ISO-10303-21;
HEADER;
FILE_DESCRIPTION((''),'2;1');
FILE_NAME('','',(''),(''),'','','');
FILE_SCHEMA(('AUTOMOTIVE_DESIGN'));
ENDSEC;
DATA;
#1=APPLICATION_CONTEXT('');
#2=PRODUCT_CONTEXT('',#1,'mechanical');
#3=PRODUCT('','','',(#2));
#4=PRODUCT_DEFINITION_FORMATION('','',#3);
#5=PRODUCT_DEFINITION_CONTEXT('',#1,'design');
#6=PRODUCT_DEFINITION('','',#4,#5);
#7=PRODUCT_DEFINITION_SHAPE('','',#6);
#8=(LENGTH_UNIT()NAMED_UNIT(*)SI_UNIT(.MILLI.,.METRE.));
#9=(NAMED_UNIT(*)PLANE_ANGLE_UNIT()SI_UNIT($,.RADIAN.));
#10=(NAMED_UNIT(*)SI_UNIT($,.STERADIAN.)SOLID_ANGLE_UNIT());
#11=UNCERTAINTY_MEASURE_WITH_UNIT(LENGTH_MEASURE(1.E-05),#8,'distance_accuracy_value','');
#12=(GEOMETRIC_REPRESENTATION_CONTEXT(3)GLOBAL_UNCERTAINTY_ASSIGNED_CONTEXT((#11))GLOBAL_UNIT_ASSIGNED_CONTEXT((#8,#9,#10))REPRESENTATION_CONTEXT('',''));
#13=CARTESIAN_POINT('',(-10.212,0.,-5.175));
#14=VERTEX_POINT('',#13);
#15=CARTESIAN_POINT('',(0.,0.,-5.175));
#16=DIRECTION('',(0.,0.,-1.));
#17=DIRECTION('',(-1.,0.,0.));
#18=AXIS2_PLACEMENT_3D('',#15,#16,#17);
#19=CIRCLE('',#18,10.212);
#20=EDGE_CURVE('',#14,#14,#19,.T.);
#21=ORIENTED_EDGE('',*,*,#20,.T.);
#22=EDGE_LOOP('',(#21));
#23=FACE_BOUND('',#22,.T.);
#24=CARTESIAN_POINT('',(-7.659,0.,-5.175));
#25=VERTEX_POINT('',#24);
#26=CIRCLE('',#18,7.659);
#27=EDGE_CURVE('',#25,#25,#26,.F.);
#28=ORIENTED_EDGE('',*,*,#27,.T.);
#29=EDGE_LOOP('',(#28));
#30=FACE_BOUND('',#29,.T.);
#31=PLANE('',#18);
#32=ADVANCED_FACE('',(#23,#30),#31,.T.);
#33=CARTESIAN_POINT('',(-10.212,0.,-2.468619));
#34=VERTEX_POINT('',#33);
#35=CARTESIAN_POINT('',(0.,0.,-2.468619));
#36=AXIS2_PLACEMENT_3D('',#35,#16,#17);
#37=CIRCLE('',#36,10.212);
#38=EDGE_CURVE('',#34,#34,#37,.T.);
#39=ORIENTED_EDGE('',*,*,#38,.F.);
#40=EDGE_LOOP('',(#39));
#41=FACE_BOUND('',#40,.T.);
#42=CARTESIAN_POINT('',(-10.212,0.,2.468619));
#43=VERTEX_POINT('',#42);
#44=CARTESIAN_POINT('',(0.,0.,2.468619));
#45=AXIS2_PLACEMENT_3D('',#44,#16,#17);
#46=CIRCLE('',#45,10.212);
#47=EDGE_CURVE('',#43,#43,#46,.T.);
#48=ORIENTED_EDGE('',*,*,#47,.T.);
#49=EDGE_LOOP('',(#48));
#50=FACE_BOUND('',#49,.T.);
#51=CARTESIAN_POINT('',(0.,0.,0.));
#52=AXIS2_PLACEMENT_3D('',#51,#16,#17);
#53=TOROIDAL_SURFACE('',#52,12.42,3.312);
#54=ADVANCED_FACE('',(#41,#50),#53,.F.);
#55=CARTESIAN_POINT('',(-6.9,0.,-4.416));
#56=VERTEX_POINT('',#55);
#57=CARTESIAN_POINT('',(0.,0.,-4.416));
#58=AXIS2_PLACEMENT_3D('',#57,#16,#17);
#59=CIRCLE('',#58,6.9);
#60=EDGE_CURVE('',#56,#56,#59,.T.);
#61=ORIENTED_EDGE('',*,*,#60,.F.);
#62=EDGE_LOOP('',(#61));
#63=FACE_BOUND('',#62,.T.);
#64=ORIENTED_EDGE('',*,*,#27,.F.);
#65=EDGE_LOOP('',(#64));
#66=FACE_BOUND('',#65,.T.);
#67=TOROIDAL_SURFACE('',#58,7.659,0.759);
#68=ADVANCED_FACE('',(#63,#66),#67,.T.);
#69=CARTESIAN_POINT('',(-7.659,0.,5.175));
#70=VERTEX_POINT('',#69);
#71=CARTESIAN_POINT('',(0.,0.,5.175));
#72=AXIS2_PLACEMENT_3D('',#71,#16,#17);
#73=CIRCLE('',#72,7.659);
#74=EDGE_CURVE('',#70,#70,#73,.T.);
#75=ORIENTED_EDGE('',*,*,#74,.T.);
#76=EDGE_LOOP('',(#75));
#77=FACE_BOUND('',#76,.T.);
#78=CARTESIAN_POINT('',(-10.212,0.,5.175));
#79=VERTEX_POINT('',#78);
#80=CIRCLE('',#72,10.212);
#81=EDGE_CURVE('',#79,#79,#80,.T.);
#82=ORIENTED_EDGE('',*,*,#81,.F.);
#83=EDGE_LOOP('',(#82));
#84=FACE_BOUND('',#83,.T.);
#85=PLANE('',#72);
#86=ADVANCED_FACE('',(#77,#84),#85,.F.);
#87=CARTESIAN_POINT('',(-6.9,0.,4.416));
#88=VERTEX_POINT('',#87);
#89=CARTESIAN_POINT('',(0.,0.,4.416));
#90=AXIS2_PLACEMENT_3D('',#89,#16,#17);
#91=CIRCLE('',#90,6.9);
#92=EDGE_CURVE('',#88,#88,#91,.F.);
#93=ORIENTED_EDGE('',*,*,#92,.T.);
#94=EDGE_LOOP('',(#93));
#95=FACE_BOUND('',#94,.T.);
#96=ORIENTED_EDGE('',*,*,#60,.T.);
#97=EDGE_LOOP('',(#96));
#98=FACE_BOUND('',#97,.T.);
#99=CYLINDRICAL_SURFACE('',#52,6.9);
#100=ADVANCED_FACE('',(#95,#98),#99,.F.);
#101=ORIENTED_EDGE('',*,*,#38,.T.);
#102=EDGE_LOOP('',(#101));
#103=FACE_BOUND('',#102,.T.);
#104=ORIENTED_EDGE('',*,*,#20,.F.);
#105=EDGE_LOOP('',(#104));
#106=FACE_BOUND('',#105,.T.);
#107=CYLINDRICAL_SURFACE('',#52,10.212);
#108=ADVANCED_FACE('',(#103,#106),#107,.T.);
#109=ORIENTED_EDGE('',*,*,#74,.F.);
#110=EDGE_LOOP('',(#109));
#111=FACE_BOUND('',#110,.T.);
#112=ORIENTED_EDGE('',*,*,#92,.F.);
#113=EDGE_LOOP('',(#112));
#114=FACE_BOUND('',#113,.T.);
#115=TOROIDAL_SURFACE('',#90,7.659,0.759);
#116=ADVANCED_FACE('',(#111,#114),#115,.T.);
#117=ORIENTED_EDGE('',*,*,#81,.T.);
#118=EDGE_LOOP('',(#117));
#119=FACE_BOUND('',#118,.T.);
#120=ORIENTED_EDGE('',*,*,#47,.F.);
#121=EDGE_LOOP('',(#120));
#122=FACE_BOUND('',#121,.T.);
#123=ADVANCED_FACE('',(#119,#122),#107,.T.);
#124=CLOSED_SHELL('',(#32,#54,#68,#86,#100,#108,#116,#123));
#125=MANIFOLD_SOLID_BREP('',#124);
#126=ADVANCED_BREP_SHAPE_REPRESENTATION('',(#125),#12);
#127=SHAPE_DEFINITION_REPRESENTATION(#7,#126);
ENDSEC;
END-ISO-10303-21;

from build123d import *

# Parameters (mm, degrees)
CONG_1_R       = 1.1
ECHELLE1_SCALE = 0.69


with BuildPart() as part:
    # Esquisse2 → Révolution1 (revolve)
    with BuildSketch(Plane(origin=(0, 0, 0), x_dir=(0, 0, -1), z_dir=(1, 0, 0)), mode=Mode.PRIVATE) as r_volution1_sk:
        with BuildLine():
            Line((-7.5, 14.8), (-7.5, 10))
            Line((-7.5, 10), (7.5, 10))
            Line((7.5, 10), (7.5, 14.8))
            Line((7.5, 14.8), (3.577708764, 14.8))
            ThreePointArc((3.577708764, 14.8), (0, 13.2), (-3.577708764, 14.8))
            Line((-3.577708764, 14.8), (-7.5, 14.8))
        make_face()
    revolve(r_volution1_sk.sketch.rotate(Axis((0, 0, 0), (0, 0, 1)), 90), axis=Axis((0, 0, 0), (0, 0, 1)))

    # Congé1
    cong_1_edges = [part.edges().sort_by_distance(p)[0] for p in [
        (10, 0, -7.5),
        (10, 0, 7.5),
    ]]
    fillet(cong_1_edges, radius=CONG_1_R)


with BuildPart() as part_1:
    # Echelle1: scaled about (0, 0, 0)
    add(part.part.scale(ECHELLE1_SCALE))


solid = part_1.part
